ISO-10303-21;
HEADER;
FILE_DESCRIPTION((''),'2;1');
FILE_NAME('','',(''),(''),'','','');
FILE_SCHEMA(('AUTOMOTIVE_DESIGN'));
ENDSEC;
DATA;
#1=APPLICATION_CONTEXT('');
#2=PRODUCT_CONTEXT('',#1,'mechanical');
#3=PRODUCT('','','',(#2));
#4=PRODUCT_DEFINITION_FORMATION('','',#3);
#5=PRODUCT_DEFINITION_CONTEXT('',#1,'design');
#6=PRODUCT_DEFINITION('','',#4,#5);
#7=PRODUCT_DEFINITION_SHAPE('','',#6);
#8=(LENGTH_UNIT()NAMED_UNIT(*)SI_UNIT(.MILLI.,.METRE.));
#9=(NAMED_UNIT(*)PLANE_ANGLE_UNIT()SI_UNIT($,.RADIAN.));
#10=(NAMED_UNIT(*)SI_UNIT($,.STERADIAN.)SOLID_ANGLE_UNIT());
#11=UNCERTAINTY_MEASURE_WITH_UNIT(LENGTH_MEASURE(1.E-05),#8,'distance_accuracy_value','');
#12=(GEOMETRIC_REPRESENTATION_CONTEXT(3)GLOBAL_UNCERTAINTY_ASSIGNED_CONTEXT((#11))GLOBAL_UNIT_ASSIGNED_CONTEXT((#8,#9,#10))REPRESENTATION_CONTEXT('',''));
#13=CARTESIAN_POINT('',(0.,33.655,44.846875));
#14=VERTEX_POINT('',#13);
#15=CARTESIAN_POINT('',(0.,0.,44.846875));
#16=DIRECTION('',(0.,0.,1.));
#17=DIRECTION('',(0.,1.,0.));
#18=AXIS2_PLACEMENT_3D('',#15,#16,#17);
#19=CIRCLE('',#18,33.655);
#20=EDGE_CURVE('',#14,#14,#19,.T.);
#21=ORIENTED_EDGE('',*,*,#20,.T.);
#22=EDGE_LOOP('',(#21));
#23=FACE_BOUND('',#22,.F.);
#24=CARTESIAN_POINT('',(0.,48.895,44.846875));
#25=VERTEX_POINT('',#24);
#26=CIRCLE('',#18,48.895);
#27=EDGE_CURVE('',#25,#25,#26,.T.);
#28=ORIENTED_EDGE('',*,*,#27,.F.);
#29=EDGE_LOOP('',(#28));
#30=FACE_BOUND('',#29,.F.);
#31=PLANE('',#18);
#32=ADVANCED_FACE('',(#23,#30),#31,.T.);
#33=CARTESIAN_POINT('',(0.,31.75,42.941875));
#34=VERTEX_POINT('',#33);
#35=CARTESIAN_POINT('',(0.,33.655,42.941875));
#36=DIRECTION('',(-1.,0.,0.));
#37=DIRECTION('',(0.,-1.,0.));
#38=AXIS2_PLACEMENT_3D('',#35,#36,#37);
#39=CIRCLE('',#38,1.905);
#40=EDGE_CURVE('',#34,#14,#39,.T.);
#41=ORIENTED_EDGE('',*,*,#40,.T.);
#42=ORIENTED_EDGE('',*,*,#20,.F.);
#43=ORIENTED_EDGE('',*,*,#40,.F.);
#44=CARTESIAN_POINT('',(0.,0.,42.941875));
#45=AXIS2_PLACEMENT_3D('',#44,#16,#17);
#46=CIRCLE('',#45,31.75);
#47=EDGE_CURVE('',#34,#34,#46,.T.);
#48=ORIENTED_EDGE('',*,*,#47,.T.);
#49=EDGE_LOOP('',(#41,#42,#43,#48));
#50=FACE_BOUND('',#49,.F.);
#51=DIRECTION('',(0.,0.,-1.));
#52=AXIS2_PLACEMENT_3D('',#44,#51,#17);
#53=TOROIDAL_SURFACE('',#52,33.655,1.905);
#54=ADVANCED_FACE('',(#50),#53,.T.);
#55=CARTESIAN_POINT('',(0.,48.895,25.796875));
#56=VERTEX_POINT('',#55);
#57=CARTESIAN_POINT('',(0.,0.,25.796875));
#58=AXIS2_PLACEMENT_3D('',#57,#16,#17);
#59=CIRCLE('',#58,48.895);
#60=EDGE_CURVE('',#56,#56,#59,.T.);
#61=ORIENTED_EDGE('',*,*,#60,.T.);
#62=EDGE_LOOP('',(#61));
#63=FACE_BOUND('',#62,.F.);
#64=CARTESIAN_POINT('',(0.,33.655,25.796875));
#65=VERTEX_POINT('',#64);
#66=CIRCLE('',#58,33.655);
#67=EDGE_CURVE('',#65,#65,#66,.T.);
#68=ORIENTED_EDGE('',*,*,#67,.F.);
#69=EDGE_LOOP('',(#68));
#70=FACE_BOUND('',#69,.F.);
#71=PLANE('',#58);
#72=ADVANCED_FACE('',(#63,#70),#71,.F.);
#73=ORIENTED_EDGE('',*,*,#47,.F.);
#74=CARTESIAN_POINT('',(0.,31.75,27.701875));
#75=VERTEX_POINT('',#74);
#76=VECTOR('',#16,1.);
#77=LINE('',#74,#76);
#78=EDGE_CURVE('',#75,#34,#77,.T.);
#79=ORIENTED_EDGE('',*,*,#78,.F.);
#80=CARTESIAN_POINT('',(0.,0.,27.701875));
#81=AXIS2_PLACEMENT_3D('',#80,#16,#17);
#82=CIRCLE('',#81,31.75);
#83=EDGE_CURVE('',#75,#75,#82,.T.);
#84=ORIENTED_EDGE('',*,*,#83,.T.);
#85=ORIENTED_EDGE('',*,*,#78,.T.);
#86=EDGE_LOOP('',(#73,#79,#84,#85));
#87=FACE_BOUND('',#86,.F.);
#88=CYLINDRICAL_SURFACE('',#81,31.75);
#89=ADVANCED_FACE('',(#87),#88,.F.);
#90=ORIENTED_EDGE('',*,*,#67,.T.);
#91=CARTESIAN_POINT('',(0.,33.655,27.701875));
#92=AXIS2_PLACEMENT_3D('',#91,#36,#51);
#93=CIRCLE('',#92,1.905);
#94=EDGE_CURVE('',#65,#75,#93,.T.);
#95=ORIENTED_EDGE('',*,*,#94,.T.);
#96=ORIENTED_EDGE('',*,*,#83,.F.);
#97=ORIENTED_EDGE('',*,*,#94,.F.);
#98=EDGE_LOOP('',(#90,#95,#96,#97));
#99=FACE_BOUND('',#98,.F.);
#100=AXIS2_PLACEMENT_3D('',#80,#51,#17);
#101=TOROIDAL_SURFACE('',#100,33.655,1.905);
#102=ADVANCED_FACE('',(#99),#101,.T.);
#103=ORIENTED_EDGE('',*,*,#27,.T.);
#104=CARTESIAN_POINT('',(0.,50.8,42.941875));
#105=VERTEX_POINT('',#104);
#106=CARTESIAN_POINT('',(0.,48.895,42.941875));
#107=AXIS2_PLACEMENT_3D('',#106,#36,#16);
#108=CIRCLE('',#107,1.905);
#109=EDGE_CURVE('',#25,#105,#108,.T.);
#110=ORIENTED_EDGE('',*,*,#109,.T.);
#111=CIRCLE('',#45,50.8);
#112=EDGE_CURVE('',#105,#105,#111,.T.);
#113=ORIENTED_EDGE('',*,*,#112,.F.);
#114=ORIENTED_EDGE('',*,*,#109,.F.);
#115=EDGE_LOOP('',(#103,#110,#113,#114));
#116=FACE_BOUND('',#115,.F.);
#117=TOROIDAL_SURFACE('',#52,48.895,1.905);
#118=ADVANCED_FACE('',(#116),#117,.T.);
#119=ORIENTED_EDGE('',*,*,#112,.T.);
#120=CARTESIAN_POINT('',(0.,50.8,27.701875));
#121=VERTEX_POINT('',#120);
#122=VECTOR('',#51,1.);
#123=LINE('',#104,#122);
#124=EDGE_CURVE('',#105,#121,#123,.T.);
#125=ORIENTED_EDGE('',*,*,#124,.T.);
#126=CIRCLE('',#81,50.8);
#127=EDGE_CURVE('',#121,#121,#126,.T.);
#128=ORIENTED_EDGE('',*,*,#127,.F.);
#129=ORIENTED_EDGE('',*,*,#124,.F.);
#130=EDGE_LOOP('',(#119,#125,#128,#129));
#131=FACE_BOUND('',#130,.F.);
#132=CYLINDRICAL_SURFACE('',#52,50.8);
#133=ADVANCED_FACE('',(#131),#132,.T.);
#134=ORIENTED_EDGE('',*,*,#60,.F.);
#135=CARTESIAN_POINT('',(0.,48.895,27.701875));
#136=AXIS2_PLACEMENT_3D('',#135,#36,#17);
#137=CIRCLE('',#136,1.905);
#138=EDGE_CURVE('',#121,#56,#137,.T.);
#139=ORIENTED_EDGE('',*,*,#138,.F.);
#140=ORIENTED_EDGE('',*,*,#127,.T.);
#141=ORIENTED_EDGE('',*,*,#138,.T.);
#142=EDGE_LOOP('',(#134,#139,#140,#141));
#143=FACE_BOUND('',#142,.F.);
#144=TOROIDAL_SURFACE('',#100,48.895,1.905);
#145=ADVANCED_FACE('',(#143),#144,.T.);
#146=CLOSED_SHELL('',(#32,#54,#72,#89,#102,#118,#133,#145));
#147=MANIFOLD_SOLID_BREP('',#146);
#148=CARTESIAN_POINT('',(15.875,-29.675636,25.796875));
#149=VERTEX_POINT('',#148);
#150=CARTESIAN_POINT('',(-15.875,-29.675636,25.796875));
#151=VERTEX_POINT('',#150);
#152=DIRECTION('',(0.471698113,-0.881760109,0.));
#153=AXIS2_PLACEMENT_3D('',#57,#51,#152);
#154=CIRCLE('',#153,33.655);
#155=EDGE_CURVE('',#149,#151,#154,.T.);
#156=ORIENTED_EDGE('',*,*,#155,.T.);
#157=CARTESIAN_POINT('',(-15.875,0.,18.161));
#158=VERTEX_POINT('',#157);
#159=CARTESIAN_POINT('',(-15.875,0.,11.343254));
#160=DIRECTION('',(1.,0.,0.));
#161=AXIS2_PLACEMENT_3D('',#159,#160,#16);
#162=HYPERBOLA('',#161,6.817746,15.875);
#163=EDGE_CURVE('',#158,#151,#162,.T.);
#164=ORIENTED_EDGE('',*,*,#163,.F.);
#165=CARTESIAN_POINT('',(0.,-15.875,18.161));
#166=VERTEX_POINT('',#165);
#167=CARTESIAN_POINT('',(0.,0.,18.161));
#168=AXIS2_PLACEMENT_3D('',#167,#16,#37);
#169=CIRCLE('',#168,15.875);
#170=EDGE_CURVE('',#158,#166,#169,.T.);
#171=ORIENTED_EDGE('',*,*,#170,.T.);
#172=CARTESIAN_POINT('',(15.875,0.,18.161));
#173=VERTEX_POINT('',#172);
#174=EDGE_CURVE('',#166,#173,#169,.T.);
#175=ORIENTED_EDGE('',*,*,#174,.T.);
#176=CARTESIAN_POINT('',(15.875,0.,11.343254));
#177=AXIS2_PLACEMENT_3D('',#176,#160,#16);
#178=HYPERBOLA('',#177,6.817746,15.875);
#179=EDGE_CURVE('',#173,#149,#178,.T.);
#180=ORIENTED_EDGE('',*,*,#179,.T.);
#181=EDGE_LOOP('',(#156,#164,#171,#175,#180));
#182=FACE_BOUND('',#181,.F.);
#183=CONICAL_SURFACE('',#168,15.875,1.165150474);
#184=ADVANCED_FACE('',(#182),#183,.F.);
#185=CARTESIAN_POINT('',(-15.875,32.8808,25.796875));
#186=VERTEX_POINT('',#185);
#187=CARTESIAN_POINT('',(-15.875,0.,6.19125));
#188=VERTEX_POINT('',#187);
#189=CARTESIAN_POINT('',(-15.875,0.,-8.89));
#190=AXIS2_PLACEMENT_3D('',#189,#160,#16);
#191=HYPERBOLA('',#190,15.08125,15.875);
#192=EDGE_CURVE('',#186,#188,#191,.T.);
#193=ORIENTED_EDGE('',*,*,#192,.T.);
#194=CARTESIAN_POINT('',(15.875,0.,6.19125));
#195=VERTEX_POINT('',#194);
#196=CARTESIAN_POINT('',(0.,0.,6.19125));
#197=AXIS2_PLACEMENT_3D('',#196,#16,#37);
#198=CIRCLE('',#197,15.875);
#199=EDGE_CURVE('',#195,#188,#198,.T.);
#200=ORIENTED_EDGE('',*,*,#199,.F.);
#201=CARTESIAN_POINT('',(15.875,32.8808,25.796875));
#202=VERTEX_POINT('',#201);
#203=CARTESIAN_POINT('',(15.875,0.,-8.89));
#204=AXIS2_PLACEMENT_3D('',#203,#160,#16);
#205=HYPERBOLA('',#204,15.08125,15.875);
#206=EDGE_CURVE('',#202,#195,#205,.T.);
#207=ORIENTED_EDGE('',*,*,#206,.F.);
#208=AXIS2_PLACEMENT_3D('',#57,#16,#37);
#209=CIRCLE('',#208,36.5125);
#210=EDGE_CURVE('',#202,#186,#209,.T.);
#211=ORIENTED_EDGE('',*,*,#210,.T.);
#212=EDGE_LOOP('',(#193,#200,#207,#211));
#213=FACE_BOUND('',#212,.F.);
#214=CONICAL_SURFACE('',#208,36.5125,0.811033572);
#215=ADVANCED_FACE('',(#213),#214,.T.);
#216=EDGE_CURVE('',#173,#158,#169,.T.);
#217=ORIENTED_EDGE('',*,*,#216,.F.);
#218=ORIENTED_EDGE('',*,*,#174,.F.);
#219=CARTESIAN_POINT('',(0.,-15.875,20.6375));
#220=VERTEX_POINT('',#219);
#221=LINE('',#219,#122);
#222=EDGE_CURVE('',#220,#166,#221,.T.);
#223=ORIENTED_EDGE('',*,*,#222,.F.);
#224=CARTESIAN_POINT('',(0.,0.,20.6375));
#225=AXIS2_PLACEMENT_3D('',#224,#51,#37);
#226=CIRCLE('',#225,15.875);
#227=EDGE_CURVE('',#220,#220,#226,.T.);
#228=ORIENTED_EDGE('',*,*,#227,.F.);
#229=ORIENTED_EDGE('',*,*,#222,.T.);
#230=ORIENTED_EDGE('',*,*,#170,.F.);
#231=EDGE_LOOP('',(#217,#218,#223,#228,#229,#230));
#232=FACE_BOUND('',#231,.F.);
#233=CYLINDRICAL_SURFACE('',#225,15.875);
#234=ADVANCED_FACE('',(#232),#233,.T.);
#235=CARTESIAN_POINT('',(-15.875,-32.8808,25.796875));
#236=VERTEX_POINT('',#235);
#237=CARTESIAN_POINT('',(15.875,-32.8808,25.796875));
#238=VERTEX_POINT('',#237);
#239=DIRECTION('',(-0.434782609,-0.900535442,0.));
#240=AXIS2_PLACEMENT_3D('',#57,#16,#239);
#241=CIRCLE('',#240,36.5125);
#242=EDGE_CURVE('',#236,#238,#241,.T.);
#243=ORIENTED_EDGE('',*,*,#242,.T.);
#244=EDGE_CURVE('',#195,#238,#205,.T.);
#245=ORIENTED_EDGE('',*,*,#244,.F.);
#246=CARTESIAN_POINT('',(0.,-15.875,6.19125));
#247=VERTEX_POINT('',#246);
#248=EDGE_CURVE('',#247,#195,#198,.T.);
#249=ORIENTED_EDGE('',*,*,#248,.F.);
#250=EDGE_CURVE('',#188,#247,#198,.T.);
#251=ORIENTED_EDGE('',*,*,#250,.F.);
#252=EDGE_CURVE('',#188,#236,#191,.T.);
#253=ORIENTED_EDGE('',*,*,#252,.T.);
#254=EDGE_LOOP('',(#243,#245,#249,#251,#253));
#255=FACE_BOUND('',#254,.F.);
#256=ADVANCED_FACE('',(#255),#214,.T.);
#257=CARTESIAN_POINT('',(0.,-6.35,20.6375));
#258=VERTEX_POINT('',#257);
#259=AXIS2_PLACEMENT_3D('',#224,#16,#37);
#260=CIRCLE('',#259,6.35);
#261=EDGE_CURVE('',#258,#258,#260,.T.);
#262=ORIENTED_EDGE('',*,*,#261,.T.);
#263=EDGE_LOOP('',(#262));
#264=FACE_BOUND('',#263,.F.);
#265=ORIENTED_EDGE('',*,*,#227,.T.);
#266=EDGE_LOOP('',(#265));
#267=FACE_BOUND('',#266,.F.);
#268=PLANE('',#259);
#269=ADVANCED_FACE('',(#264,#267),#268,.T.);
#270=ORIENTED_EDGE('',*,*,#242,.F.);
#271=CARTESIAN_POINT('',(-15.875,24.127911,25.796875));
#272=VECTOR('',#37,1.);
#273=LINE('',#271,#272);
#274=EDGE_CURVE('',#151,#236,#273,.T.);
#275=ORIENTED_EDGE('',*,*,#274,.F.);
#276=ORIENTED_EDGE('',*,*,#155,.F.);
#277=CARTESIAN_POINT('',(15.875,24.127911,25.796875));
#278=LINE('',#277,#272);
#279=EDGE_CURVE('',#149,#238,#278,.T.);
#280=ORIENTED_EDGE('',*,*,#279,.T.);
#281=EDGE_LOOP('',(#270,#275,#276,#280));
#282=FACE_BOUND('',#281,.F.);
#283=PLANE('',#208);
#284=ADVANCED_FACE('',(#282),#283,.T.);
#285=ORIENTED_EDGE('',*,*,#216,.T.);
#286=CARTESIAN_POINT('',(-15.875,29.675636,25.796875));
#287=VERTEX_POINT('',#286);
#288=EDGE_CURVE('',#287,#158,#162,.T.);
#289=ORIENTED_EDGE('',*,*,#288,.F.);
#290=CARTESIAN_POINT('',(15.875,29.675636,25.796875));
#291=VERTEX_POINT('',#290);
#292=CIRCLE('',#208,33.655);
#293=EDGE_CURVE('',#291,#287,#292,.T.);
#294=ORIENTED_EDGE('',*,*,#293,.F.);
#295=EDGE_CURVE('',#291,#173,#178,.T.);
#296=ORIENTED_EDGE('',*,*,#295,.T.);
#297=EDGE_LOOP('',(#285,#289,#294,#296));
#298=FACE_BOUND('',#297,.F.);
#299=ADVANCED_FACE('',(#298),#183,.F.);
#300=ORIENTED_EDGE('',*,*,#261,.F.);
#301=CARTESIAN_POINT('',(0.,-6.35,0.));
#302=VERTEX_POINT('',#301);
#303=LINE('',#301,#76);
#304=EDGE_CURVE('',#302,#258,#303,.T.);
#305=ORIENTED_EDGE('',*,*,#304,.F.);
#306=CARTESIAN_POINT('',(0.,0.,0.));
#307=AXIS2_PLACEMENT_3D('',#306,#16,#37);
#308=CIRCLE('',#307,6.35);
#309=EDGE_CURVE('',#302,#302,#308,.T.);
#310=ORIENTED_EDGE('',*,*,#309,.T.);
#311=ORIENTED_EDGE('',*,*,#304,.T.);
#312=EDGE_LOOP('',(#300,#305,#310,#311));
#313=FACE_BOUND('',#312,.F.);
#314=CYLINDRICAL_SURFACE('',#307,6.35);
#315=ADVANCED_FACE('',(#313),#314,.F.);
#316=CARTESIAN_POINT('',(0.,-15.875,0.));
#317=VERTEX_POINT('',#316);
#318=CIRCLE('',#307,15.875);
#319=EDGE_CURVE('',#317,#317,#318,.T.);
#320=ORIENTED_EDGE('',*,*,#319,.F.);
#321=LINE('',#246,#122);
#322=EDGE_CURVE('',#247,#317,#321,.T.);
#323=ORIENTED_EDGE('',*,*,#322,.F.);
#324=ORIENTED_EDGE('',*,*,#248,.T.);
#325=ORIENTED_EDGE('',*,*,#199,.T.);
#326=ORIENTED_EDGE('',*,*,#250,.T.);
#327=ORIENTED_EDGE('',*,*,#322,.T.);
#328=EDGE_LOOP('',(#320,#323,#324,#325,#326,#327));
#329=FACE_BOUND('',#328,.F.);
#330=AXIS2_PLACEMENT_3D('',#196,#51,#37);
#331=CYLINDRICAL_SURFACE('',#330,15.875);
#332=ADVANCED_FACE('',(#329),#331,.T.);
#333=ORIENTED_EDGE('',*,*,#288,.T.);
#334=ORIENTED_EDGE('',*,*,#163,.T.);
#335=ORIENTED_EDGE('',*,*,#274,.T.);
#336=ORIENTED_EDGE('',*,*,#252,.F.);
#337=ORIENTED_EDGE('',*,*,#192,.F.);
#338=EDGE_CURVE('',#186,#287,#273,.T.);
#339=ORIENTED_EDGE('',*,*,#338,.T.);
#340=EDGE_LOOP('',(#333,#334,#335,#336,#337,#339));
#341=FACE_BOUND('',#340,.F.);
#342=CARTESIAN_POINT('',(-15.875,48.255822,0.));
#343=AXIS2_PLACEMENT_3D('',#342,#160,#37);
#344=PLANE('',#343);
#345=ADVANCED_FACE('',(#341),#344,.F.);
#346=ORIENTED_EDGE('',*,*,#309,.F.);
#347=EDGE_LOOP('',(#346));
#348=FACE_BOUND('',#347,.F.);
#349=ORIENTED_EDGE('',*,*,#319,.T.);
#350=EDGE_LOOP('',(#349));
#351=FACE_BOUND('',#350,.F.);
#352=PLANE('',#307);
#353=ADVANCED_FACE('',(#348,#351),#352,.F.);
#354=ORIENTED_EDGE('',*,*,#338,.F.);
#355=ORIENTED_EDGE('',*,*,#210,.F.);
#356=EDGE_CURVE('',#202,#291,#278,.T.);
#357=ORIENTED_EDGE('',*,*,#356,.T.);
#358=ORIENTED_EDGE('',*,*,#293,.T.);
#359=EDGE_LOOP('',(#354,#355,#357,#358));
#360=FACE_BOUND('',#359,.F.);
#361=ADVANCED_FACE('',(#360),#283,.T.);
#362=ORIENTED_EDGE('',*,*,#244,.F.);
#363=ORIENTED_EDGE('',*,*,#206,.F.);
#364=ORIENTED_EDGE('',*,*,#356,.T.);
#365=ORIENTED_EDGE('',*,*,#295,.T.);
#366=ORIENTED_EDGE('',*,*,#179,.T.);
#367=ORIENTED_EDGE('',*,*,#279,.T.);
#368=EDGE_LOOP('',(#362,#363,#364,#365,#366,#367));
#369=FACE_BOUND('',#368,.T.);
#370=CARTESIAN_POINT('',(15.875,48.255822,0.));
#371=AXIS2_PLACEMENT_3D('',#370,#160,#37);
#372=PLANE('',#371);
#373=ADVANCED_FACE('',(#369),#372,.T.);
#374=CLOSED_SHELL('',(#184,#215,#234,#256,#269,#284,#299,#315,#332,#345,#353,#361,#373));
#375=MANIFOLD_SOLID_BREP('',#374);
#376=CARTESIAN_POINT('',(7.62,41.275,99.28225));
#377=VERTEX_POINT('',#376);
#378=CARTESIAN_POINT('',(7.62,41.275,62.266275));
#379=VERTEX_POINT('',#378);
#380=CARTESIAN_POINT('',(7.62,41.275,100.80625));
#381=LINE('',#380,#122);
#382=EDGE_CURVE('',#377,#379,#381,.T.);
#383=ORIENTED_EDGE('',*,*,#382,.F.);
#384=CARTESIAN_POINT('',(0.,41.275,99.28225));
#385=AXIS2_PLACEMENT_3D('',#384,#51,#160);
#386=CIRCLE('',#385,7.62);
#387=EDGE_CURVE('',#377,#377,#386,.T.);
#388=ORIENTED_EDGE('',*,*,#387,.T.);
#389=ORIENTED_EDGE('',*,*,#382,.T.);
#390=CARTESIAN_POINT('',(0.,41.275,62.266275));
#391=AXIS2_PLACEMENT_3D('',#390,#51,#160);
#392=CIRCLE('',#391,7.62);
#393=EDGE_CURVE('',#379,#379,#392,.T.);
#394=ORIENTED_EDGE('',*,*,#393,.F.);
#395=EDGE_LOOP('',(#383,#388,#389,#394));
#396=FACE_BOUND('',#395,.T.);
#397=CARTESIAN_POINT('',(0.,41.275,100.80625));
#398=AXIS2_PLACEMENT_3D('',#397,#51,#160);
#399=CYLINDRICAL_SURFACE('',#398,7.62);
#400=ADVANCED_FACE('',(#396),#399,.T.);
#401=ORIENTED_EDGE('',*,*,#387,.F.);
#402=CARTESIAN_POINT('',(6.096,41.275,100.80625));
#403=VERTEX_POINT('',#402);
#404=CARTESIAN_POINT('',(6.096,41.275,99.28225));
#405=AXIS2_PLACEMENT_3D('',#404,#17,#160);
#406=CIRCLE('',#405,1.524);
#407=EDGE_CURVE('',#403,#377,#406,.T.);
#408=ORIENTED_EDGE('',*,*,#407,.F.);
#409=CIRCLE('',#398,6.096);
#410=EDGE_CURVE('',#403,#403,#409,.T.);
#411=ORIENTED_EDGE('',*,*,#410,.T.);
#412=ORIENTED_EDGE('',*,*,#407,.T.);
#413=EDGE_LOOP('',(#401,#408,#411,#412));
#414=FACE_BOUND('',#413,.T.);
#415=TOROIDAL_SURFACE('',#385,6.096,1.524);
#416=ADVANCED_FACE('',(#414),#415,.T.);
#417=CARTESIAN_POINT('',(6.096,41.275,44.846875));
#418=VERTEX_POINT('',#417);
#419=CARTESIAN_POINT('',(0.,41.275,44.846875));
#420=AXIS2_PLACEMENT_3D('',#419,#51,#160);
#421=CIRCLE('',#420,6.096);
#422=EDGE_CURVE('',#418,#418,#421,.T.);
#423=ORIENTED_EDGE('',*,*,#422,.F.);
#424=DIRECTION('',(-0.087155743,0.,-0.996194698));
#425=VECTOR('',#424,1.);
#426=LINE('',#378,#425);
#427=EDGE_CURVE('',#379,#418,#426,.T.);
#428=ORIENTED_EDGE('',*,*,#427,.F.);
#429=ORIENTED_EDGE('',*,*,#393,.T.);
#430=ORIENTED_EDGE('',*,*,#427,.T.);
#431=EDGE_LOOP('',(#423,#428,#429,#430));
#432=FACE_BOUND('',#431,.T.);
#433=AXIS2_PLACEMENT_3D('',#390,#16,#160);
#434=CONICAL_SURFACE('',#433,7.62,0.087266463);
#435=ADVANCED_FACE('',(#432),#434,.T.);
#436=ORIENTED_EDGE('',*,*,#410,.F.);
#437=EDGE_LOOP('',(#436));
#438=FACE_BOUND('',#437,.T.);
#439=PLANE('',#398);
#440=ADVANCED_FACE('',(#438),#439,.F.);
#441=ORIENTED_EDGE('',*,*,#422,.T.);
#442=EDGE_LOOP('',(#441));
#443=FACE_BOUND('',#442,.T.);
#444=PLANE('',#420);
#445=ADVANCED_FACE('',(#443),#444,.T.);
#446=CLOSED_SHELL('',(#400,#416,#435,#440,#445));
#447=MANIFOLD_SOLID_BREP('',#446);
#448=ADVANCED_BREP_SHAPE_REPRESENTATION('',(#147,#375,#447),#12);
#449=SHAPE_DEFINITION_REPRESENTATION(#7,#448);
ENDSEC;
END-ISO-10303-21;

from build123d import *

# Parameters (mm, degrees)
CUT_EXTRUDE1_DEPTH = 85.69074446
FILLET1_R          = 1.524


with BuildPart() as part:
    # Sketch1 → Revolve1 (revolve)
    with BuildSketch(Plane(origin=(0, 0, 0), x_dir=(0, 0, -1), z_dir=(1, 0, 0))):
        with BuildLine():
            Line((-25.796875, -48.895), (-25.796875, -36.5125))
            Line((-25.796875, -36.5125), (-25.796875, -33.655))
            ThreePointArc((-25.796875, -33.655), (-26.354836582, -32.307961582), (-27.701875, -31.75))
            Line((-27.701875, -31.75), (-42.941875, -31.75))
            ThreePointArc((-42.941875, -31.75), (-44.288913418, -32.307961582), (-44.846875, -33.655))
            Line((-44.846875, -33.655), (-44.846875, -48.895))
            ThreePointArc((-44.846875, -48.895), (-44.288913418, -50.242038418), (-42.941875, -50.8))
            Line((-42.941875, -50.8), (-27.701875, -50.8))
            ThreePointArc((-27.701875, -50.8), (-26.354836582, -50.242038418), (-25.796875, -48.895))
        make_face()
    revolve(axis=Axis((0, 0, 0), (0, 0, 1)))


with BuildPart() as body_2:
    # Sketch1<3> → Revolve2 (revolve)
    with BuildSketch(Plane(origin=(0, 0, 0), x_dir=(0, 0, -1), z_dir=(1, 0, 0))):
        Polygon((0, -15.875), (0, -6.35), (-20.6375, -6.35), (-20.6375, -15.875), (-18.161, -15.875), (-25.796875, -33.655), (-25.796875, -36.5125), (-6.19125, -15.875), align=None)
    revolve(axis=Axis((0, 0, 0), (0, 0, 1)))

    # Sketch2 → Cut-Extrude1 (cut, through all)
    with BuildSketch(Plane.XY):
        with BuildLine():
            Line((-15.875, 48.255822188), (-15.875, -48.255822188))
            ThreePointArc((-15.875, -48.255822188), (-50.8, 0), (-15.875, 48.255822188))
        make_face()
        with BuildLine():
            Line((15.875, 48.255822188), (15.875, -48.255822188))
            ThreePointArc((15.875, -48.255822188), (50.8, 0), (15.875, 48.255822188))
        make_face()
    extrude(amount=CUT_EXTRUDE1_DEPTH, mode=Mode.SUBTRACT)


with BuildPart() as body_3:
    # Sketch4 → Revolve3 (revolve)
    with BuildSketch(Plane(origin=(0, 0, 0), x_dir=(0, 0, -1), z_dir=(1, 0, 0))):
        Polygon((-44.846875, 47.371), (-44.846875, 41.275), (-100.80625, 41.275), (-100.80625, 48.895), (-62.266274709, 48.895), align=None)
    revolve(axis=Axis((0, 41.275, 44.846875), (0, 0, -1)))

    # Fillet1
    fillet1_edges = [body_3.edges().sort_by_distance(p)[0] for p in [
        (0, 33.655, 100.80625),
    ]]
    fillet(fillet1_edges, radius=FILLET1_R)


solid = Compound([part.part, body_2.part, body_3.part])
